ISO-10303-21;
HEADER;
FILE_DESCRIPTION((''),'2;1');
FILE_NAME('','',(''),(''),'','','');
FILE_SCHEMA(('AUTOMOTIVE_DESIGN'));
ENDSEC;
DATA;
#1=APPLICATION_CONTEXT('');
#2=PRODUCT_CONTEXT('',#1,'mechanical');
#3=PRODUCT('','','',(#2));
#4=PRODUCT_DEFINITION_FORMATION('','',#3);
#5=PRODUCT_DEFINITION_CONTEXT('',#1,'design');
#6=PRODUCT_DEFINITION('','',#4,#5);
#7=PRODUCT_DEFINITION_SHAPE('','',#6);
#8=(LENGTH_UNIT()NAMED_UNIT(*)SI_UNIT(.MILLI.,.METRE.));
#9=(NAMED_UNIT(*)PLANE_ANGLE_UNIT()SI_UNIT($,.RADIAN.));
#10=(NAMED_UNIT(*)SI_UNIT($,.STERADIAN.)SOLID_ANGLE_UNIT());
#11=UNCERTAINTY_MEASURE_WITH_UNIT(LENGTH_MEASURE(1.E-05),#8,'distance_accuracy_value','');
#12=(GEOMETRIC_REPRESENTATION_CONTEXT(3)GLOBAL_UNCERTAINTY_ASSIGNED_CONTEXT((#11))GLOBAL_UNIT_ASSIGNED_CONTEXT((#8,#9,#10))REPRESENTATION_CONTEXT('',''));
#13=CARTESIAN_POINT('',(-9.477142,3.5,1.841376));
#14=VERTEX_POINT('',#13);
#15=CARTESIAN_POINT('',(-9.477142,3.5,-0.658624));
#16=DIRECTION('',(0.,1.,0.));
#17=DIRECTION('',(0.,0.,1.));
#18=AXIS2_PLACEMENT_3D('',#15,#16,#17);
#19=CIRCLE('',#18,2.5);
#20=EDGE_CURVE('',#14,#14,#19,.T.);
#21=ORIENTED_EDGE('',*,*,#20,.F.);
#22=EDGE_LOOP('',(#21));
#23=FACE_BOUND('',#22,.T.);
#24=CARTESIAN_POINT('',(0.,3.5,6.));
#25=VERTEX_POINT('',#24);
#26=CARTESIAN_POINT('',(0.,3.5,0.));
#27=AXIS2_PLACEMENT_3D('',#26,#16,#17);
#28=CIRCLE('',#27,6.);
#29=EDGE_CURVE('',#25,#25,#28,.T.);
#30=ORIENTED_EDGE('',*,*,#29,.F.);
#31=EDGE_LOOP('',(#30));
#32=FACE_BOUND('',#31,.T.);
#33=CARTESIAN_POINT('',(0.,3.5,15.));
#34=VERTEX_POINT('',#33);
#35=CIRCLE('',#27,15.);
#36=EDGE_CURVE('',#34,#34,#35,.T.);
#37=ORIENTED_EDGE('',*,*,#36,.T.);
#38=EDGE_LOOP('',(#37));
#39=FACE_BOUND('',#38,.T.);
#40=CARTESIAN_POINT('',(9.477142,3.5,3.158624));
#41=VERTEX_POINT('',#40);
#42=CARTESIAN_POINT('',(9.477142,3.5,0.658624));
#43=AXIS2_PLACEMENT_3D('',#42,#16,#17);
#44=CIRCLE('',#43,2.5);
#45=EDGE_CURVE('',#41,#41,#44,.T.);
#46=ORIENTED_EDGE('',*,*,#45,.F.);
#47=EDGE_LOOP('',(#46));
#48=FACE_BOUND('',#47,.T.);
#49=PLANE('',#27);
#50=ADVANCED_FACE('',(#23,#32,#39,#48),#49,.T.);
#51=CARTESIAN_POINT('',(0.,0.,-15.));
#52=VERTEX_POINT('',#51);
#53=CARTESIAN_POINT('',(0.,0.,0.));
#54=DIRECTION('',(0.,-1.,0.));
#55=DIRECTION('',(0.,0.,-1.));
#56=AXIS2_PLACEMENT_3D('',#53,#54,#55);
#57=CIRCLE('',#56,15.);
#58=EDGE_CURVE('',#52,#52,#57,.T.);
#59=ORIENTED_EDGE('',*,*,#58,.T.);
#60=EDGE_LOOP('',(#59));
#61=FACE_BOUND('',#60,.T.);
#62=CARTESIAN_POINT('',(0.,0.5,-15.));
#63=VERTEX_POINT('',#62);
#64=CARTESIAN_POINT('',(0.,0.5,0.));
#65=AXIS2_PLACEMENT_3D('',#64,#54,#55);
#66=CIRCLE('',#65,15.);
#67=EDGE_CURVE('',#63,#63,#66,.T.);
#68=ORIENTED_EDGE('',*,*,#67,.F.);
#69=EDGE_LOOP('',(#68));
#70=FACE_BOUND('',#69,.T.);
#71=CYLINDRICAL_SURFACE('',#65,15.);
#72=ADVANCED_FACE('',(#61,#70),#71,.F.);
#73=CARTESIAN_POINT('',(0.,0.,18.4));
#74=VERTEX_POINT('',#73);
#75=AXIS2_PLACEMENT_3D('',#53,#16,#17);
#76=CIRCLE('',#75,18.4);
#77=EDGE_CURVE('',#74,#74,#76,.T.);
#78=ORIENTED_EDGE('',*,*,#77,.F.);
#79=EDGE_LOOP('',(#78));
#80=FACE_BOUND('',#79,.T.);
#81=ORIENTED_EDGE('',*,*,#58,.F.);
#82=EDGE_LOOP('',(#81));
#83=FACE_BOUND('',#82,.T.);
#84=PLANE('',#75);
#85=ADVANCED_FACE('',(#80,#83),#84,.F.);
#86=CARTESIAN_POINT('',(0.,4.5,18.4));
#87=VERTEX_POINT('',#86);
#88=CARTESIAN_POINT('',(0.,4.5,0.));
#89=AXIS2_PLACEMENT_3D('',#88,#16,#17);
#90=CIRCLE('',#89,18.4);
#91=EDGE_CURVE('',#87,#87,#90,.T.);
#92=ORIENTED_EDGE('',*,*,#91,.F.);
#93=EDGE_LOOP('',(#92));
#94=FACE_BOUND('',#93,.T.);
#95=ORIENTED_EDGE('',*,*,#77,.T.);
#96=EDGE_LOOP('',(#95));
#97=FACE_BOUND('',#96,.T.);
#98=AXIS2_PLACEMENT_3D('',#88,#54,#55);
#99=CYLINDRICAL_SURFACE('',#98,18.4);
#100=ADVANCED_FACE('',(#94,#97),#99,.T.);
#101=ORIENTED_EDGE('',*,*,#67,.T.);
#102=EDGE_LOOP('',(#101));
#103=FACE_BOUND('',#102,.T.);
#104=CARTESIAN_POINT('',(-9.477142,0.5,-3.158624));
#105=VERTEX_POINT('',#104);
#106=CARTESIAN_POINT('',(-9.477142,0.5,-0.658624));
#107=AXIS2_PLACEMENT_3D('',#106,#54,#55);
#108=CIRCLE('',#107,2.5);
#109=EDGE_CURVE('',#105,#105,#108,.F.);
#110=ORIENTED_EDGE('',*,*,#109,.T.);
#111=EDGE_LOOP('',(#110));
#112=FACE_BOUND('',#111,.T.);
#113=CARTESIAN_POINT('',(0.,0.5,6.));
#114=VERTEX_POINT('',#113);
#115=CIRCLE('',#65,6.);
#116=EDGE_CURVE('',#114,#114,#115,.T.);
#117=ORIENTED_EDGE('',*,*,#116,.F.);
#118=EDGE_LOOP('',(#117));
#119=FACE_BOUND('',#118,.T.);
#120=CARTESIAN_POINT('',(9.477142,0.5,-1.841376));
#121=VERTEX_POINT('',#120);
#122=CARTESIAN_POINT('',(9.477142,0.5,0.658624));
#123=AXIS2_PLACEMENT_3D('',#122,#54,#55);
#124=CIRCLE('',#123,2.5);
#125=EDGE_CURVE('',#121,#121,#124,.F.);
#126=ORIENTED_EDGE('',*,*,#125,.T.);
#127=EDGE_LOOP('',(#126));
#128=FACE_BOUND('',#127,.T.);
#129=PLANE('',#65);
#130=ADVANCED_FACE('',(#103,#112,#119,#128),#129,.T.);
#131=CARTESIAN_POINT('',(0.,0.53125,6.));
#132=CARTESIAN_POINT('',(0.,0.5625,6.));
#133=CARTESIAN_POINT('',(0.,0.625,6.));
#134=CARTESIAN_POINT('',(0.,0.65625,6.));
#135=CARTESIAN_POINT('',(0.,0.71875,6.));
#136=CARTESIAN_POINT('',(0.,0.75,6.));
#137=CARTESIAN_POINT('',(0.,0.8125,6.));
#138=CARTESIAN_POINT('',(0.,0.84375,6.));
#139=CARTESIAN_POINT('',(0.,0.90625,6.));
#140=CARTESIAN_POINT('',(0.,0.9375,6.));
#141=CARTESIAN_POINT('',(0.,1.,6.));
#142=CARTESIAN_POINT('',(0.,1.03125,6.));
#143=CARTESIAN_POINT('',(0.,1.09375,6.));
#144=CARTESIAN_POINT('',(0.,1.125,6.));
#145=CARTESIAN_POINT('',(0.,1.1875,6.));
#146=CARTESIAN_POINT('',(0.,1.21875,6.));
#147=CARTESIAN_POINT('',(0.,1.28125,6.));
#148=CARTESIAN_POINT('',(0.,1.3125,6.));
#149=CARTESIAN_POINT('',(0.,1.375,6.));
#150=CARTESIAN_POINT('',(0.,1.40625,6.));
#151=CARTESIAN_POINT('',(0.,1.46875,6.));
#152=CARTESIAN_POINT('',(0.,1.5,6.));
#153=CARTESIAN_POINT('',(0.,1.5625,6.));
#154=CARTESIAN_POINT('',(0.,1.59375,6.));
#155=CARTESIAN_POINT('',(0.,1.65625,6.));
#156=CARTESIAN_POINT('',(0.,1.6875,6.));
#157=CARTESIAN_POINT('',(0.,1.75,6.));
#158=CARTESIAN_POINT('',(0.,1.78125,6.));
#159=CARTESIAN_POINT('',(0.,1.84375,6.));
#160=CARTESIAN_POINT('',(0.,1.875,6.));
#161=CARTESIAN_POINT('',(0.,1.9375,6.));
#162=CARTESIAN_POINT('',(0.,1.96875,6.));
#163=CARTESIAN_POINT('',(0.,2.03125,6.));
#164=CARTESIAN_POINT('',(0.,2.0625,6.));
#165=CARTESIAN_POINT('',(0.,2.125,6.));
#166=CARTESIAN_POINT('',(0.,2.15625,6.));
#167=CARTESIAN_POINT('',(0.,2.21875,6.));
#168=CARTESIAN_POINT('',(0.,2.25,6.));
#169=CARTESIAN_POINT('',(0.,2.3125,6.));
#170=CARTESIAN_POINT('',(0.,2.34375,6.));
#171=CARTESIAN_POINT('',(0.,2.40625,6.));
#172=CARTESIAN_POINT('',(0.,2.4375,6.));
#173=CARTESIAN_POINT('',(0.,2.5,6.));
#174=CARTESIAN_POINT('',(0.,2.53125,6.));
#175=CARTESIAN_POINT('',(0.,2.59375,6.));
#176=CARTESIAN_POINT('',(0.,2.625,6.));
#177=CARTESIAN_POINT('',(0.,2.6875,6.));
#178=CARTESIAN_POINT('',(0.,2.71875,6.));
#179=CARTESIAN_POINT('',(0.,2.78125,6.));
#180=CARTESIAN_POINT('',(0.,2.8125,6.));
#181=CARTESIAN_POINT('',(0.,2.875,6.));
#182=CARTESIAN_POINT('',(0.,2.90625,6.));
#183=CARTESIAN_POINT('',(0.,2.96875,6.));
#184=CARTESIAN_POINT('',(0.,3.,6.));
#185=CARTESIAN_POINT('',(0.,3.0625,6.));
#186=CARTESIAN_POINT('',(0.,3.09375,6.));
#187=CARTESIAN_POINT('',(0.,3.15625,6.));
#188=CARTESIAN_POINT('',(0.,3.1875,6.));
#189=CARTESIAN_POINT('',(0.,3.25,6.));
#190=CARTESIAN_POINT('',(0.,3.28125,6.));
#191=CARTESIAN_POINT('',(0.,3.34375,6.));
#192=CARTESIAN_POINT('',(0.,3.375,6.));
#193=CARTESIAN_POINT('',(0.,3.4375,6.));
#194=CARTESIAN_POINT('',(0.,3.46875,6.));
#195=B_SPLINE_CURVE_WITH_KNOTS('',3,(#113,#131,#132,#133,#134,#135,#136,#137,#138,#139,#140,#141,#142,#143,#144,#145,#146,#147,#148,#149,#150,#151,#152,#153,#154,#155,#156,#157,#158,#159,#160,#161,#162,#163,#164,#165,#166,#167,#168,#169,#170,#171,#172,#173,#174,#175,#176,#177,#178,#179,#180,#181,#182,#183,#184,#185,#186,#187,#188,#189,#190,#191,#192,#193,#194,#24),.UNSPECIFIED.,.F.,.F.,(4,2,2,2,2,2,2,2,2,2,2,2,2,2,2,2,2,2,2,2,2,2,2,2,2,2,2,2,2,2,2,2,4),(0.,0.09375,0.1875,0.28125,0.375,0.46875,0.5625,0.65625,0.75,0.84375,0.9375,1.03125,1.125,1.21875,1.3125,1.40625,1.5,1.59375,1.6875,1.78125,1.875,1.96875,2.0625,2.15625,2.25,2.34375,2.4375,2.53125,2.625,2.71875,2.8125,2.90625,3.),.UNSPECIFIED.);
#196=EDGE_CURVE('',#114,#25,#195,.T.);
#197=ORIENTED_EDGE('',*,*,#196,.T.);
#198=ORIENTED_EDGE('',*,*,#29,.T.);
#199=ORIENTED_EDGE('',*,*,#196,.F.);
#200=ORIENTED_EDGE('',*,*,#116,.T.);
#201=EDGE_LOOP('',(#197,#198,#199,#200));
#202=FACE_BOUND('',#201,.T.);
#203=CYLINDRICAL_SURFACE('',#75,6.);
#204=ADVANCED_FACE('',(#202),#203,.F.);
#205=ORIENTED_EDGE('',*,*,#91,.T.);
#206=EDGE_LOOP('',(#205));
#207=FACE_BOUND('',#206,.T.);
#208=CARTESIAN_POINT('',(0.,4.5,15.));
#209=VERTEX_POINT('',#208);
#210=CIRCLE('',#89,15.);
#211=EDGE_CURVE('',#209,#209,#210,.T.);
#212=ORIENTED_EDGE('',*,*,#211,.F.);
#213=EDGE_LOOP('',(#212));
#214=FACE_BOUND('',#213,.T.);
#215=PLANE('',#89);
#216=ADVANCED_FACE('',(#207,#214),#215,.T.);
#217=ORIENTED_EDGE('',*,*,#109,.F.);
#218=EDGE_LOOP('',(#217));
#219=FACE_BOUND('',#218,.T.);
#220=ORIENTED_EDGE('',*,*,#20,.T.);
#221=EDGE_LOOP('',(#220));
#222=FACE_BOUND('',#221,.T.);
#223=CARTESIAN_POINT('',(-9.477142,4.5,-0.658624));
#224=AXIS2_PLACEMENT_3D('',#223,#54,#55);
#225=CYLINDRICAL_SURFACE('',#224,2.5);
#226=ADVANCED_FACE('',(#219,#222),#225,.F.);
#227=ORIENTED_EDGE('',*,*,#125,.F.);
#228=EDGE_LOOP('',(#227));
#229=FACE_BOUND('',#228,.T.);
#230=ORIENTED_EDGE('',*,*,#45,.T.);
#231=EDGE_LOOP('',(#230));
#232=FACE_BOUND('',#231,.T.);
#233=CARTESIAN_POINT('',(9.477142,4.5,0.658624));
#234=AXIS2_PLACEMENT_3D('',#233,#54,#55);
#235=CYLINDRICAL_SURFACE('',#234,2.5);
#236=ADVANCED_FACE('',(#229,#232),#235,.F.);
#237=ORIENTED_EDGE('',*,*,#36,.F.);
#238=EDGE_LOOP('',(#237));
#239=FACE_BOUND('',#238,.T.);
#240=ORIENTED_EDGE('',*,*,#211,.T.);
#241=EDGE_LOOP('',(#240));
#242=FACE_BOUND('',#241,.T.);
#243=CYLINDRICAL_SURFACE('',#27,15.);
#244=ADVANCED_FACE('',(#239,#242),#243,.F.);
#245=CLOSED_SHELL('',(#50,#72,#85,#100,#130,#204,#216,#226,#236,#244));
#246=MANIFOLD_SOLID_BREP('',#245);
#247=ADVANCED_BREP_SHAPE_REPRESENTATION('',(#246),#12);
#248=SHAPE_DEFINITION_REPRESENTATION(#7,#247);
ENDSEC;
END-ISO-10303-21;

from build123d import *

# Parameters (mm, degrees)
SKETCH1_R           = 18.4
BOSS_EXTRUDE1_DEPTH = 4.5
SKETCH2_R           = 15
CUT_EXTRUDE1_DEPTH  = 1
SKETCH3_R           = 2.5
CUT_EXTRUDE2_DEPTH  = 27.40776401
CUT_EXTRUDE3_START  = -0.5
SKETCH4_R           = 15
CUT_EXTRUDE3_DEPTH  = 0.5
SKETCH5_R           = 6
CUT_EXTRUDE4_DEPTH  = 27.25585649


with BuildPart() as part:
    # Sketch1 → Boss-Extrude1 (new body)
    with BuildSketch(Plane(origin=(0, 0, 0), x_dir=(1, 0, 0), z_dir=(0, 1, 0))):
        with Locations(Location((0, 0, 0), (0, 0, 270))):
            Circle(SKETCH1_R)
    extrude(amount=BOSS_EXTRUDE1_DEPTH)

    # Sketch2 → Cut-Extrude1 (cut)
    with BuildSketch(Plane(origin=(0, 4.5, 0), x_dir=(1, 0, 0), z_dir=(0, 1, 0))):
        with Locations(Location((0, 0, 0), (0, 0, 270))):
            Circle(SKETCH2_R)
    extrude(amount=-CUT_EXTRUDE1_DEPTH, mode=Mode.SUBTRACT)

    # Sketch3 → Cut-Extrude2 (cut, through all)
    with BuildSketch(Plane.XZ):
        with Locations(Location((-9.477141659, -0.658624302, 0), (0, 0, 270))):
            Circle(SKETCH3_R)
        with Locations(Location((9.477141659, 0.658624302, 0), (0, 0, 270))):
            Circle(SKETCH3_R)
    extrude(amount=-CUT_EXTRUDE2_DEPTH, mode=Mode.SUBTRACT)

    # Sketch4 → Cut-Extrude3 (cut)
    with BuildSketch(Plane.XZ.offset(CUT_EXTRUDE3_START)):
        with Locations(Location((0, 0, 0), (0, 0, 90))):
            Circle(SKETCH4_R)
    extrude(amount=CUT_EXTRUDE3_DEPTH, mode=Mode.SUBTRACT)

    # Sketch5 → Cut-Extrude4 (cut, through all)
    with BuildSketch(Plane(origin=(0, 3.5, 0), x_dir=(1, 0, 0), z_dir=(0, 1, 0))):
        with Locations(Location((0, 0, 0), (0, 0, 270))):
            Circle(SKETCH5_R)
    extrude(amount=-CUT_EXTRUDE4_DEPTH, mode=Mode.SUBTRACT)


solid = part.part
